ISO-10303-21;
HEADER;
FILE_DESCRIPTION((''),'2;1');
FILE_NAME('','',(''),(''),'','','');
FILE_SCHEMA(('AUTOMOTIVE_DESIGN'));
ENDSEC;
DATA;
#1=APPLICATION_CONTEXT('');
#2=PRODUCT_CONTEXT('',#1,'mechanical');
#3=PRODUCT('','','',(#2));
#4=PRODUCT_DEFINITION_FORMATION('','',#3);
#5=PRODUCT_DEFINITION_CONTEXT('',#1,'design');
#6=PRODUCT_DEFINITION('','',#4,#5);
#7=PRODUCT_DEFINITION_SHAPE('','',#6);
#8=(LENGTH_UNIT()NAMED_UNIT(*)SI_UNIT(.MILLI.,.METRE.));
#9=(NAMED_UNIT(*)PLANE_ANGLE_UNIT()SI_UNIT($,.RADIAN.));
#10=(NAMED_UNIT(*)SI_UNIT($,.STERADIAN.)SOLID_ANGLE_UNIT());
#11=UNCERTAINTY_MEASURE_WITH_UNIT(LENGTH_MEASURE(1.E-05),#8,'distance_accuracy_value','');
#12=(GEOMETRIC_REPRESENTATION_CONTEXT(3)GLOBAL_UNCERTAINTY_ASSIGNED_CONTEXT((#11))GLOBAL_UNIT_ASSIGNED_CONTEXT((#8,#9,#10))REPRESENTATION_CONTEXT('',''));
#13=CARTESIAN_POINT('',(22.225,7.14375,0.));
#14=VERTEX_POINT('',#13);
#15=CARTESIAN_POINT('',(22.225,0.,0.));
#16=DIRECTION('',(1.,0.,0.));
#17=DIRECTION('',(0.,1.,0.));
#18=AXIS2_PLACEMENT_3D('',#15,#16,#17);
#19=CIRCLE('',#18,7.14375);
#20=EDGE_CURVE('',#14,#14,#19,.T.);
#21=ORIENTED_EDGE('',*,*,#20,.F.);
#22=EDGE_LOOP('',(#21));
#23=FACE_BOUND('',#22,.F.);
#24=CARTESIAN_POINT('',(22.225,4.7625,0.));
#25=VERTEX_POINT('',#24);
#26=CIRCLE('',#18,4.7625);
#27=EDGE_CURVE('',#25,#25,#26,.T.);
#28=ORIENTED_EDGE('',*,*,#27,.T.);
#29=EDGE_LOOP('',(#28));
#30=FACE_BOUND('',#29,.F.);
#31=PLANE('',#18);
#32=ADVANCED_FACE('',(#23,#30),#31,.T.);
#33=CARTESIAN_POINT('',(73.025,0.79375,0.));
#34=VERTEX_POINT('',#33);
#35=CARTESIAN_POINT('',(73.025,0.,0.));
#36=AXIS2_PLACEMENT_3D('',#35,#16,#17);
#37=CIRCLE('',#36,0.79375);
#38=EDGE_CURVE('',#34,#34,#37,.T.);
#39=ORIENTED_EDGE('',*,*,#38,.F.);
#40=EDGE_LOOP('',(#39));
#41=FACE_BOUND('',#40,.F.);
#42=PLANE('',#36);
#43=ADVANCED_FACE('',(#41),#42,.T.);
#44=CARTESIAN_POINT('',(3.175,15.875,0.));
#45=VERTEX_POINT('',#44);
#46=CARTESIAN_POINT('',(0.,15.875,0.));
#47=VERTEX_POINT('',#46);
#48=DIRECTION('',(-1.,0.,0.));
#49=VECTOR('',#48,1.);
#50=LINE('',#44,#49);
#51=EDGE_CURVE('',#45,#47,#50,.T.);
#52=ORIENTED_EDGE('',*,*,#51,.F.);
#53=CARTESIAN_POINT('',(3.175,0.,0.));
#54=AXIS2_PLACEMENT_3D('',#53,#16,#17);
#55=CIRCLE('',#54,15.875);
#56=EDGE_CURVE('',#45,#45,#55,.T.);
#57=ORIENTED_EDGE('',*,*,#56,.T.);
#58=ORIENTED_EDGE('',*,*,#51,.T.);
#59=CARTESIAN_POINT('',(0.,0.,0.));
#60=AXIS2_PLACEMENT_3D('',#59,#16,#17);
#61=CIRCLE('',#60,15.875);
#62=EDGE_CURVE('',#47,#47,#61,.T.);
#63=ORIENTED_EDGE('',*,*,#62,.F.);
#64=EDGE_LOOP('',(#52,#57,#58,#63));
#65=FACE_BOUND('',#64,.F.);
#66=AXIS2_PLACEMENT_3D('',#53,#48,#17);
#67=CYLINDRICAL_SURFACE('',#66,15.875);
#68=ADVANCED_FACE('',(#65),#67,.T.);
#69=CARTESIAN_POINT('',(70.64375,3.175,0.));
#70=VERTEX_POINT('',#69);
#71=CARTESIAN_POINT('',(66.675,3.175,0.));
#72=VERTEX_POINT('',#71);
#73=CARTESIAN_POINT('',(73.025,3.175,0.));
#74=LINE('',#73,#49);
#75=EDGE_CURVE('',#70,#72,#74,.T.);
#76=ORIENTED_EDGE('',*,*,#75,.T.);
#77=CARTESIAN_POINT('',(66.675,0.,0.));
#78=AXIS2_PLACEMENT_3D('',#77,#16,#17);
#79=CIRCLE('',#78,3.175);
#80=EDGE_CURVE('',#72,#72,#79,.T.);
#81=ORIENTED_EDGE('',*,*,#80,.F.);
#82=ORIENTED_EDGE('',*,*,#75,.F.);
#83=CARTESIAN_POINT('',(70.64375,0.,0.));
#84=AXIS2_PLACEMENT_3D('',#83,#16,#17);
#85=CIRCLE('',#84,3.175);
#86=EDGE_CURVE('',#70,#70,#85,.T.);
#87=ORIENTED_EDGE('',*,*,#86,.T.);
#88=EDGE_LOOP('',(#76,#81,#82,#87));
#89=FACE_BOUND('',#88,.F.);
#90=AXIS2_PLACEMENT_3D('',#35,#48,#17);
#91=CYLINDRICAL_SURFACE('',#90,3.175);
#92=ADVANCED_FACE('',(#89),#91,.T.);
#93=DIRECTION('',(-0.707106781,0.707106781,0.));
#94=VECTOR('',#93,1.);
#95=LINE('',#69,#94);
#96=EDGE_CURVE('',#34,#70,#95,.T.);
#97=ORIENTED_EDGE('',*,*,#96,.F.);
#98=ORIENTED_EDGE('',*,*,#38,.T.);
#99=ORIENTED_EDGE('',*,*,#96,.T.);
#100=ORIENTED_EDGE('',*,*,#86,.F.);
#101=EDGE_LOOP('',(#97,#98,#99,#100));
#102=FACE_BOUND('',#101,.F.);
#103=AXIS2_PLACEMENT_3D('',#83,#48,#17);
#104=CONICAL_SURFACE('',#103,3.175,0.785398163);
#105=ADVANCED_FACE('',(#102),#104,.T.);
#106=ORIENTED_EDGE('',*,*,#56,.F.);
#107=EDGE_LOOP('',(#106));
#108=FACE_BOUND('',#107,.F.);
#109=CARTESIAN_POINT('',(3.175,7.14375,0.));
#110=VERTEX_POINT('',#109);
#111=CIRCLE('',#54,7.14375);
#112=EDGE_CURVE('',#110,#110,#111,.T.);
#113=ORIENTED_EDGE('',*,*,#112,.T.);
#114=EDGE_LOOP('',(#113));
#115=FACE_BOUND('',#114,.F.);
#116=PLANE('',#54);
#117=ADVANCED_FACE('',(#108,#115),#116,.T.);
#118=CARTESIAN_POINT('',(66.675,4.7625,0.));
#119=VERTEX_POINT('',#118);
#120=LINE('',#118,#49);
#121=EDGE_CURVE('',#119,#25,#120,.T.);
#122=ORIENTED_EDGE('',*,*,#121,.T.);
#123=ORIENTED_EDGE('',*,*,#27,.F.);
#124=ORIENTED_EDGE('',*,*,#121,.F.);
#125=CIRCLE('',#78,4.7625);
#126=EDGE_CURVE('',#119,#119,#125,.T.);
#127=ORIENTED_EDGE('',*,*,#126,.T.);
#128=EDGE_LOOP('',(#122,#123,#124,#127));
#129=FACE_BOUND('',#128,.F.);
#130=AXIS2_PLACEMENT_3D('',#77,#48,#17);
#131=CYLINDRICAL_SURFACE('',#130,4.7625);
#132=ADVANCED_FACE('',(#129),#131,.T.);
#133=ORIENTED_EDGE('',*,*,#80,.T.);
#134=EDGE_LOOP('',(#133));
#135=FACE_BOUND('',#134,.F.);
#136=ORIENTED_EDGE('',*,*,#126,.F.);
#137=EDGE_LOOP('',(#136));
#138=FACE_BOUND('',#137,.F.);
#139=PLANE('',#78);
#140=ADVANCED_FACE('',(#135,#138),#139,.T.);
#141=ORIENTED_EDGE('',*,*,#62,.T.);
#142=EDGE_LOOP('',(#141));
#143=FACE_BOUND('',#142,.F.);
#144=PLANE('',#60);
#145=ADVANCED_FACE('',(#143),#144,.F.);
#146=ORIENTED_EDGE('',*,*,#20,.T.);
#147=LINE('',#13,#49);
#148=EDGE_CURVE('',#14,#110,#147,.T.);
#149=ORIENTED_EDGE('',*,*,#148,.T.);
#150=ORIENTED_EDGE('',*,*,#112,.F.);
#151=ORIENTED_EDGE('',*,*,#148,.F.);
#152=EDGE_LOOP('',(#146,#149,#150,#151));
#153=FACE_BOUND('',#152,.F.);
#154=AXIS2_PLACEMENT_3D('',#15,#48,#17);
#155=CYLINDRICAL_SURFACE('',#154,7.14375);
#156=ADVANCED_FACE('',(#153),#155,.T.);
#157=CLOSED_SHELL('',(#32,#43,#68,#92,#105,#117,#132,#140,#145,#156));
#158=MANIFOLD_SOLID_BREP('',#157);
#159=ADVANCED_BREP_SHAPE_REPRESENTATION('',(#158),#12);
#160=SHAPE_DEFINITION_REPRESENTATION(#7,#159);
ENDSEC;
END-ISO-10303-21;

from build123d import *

# Parameters (mm, degrees)
F2_SIZE2 = 2.38125
F2_SIZE  = 2.38125


with BuildPart() as f1:
    # F0 (on Top) → F1 (revolve)
    with BuildSketch(Plane.XY):
        Polygon((0, 15.875), (0, 0), (73.025, 0), (73.025, 3.175), (66.675, 3.175), (66.675, 4.7625), (22.225, 4.7625), (22.225, 7.14375), (3.175, 7.14375), (3.175, 15.875), align=None)
    revolve(axis=Axis((36.5125, 0, 0), (1, 0, 0)))

    # F2
    f2_edges = [f1.edges().sort_by_distance(p)[0] for p in [
        (73.025, -3.175, 0),
    ]]
    chamfer(f2_edges, length=F2_SIZE, length2=F2_SIZE2)


solid = f1.part
